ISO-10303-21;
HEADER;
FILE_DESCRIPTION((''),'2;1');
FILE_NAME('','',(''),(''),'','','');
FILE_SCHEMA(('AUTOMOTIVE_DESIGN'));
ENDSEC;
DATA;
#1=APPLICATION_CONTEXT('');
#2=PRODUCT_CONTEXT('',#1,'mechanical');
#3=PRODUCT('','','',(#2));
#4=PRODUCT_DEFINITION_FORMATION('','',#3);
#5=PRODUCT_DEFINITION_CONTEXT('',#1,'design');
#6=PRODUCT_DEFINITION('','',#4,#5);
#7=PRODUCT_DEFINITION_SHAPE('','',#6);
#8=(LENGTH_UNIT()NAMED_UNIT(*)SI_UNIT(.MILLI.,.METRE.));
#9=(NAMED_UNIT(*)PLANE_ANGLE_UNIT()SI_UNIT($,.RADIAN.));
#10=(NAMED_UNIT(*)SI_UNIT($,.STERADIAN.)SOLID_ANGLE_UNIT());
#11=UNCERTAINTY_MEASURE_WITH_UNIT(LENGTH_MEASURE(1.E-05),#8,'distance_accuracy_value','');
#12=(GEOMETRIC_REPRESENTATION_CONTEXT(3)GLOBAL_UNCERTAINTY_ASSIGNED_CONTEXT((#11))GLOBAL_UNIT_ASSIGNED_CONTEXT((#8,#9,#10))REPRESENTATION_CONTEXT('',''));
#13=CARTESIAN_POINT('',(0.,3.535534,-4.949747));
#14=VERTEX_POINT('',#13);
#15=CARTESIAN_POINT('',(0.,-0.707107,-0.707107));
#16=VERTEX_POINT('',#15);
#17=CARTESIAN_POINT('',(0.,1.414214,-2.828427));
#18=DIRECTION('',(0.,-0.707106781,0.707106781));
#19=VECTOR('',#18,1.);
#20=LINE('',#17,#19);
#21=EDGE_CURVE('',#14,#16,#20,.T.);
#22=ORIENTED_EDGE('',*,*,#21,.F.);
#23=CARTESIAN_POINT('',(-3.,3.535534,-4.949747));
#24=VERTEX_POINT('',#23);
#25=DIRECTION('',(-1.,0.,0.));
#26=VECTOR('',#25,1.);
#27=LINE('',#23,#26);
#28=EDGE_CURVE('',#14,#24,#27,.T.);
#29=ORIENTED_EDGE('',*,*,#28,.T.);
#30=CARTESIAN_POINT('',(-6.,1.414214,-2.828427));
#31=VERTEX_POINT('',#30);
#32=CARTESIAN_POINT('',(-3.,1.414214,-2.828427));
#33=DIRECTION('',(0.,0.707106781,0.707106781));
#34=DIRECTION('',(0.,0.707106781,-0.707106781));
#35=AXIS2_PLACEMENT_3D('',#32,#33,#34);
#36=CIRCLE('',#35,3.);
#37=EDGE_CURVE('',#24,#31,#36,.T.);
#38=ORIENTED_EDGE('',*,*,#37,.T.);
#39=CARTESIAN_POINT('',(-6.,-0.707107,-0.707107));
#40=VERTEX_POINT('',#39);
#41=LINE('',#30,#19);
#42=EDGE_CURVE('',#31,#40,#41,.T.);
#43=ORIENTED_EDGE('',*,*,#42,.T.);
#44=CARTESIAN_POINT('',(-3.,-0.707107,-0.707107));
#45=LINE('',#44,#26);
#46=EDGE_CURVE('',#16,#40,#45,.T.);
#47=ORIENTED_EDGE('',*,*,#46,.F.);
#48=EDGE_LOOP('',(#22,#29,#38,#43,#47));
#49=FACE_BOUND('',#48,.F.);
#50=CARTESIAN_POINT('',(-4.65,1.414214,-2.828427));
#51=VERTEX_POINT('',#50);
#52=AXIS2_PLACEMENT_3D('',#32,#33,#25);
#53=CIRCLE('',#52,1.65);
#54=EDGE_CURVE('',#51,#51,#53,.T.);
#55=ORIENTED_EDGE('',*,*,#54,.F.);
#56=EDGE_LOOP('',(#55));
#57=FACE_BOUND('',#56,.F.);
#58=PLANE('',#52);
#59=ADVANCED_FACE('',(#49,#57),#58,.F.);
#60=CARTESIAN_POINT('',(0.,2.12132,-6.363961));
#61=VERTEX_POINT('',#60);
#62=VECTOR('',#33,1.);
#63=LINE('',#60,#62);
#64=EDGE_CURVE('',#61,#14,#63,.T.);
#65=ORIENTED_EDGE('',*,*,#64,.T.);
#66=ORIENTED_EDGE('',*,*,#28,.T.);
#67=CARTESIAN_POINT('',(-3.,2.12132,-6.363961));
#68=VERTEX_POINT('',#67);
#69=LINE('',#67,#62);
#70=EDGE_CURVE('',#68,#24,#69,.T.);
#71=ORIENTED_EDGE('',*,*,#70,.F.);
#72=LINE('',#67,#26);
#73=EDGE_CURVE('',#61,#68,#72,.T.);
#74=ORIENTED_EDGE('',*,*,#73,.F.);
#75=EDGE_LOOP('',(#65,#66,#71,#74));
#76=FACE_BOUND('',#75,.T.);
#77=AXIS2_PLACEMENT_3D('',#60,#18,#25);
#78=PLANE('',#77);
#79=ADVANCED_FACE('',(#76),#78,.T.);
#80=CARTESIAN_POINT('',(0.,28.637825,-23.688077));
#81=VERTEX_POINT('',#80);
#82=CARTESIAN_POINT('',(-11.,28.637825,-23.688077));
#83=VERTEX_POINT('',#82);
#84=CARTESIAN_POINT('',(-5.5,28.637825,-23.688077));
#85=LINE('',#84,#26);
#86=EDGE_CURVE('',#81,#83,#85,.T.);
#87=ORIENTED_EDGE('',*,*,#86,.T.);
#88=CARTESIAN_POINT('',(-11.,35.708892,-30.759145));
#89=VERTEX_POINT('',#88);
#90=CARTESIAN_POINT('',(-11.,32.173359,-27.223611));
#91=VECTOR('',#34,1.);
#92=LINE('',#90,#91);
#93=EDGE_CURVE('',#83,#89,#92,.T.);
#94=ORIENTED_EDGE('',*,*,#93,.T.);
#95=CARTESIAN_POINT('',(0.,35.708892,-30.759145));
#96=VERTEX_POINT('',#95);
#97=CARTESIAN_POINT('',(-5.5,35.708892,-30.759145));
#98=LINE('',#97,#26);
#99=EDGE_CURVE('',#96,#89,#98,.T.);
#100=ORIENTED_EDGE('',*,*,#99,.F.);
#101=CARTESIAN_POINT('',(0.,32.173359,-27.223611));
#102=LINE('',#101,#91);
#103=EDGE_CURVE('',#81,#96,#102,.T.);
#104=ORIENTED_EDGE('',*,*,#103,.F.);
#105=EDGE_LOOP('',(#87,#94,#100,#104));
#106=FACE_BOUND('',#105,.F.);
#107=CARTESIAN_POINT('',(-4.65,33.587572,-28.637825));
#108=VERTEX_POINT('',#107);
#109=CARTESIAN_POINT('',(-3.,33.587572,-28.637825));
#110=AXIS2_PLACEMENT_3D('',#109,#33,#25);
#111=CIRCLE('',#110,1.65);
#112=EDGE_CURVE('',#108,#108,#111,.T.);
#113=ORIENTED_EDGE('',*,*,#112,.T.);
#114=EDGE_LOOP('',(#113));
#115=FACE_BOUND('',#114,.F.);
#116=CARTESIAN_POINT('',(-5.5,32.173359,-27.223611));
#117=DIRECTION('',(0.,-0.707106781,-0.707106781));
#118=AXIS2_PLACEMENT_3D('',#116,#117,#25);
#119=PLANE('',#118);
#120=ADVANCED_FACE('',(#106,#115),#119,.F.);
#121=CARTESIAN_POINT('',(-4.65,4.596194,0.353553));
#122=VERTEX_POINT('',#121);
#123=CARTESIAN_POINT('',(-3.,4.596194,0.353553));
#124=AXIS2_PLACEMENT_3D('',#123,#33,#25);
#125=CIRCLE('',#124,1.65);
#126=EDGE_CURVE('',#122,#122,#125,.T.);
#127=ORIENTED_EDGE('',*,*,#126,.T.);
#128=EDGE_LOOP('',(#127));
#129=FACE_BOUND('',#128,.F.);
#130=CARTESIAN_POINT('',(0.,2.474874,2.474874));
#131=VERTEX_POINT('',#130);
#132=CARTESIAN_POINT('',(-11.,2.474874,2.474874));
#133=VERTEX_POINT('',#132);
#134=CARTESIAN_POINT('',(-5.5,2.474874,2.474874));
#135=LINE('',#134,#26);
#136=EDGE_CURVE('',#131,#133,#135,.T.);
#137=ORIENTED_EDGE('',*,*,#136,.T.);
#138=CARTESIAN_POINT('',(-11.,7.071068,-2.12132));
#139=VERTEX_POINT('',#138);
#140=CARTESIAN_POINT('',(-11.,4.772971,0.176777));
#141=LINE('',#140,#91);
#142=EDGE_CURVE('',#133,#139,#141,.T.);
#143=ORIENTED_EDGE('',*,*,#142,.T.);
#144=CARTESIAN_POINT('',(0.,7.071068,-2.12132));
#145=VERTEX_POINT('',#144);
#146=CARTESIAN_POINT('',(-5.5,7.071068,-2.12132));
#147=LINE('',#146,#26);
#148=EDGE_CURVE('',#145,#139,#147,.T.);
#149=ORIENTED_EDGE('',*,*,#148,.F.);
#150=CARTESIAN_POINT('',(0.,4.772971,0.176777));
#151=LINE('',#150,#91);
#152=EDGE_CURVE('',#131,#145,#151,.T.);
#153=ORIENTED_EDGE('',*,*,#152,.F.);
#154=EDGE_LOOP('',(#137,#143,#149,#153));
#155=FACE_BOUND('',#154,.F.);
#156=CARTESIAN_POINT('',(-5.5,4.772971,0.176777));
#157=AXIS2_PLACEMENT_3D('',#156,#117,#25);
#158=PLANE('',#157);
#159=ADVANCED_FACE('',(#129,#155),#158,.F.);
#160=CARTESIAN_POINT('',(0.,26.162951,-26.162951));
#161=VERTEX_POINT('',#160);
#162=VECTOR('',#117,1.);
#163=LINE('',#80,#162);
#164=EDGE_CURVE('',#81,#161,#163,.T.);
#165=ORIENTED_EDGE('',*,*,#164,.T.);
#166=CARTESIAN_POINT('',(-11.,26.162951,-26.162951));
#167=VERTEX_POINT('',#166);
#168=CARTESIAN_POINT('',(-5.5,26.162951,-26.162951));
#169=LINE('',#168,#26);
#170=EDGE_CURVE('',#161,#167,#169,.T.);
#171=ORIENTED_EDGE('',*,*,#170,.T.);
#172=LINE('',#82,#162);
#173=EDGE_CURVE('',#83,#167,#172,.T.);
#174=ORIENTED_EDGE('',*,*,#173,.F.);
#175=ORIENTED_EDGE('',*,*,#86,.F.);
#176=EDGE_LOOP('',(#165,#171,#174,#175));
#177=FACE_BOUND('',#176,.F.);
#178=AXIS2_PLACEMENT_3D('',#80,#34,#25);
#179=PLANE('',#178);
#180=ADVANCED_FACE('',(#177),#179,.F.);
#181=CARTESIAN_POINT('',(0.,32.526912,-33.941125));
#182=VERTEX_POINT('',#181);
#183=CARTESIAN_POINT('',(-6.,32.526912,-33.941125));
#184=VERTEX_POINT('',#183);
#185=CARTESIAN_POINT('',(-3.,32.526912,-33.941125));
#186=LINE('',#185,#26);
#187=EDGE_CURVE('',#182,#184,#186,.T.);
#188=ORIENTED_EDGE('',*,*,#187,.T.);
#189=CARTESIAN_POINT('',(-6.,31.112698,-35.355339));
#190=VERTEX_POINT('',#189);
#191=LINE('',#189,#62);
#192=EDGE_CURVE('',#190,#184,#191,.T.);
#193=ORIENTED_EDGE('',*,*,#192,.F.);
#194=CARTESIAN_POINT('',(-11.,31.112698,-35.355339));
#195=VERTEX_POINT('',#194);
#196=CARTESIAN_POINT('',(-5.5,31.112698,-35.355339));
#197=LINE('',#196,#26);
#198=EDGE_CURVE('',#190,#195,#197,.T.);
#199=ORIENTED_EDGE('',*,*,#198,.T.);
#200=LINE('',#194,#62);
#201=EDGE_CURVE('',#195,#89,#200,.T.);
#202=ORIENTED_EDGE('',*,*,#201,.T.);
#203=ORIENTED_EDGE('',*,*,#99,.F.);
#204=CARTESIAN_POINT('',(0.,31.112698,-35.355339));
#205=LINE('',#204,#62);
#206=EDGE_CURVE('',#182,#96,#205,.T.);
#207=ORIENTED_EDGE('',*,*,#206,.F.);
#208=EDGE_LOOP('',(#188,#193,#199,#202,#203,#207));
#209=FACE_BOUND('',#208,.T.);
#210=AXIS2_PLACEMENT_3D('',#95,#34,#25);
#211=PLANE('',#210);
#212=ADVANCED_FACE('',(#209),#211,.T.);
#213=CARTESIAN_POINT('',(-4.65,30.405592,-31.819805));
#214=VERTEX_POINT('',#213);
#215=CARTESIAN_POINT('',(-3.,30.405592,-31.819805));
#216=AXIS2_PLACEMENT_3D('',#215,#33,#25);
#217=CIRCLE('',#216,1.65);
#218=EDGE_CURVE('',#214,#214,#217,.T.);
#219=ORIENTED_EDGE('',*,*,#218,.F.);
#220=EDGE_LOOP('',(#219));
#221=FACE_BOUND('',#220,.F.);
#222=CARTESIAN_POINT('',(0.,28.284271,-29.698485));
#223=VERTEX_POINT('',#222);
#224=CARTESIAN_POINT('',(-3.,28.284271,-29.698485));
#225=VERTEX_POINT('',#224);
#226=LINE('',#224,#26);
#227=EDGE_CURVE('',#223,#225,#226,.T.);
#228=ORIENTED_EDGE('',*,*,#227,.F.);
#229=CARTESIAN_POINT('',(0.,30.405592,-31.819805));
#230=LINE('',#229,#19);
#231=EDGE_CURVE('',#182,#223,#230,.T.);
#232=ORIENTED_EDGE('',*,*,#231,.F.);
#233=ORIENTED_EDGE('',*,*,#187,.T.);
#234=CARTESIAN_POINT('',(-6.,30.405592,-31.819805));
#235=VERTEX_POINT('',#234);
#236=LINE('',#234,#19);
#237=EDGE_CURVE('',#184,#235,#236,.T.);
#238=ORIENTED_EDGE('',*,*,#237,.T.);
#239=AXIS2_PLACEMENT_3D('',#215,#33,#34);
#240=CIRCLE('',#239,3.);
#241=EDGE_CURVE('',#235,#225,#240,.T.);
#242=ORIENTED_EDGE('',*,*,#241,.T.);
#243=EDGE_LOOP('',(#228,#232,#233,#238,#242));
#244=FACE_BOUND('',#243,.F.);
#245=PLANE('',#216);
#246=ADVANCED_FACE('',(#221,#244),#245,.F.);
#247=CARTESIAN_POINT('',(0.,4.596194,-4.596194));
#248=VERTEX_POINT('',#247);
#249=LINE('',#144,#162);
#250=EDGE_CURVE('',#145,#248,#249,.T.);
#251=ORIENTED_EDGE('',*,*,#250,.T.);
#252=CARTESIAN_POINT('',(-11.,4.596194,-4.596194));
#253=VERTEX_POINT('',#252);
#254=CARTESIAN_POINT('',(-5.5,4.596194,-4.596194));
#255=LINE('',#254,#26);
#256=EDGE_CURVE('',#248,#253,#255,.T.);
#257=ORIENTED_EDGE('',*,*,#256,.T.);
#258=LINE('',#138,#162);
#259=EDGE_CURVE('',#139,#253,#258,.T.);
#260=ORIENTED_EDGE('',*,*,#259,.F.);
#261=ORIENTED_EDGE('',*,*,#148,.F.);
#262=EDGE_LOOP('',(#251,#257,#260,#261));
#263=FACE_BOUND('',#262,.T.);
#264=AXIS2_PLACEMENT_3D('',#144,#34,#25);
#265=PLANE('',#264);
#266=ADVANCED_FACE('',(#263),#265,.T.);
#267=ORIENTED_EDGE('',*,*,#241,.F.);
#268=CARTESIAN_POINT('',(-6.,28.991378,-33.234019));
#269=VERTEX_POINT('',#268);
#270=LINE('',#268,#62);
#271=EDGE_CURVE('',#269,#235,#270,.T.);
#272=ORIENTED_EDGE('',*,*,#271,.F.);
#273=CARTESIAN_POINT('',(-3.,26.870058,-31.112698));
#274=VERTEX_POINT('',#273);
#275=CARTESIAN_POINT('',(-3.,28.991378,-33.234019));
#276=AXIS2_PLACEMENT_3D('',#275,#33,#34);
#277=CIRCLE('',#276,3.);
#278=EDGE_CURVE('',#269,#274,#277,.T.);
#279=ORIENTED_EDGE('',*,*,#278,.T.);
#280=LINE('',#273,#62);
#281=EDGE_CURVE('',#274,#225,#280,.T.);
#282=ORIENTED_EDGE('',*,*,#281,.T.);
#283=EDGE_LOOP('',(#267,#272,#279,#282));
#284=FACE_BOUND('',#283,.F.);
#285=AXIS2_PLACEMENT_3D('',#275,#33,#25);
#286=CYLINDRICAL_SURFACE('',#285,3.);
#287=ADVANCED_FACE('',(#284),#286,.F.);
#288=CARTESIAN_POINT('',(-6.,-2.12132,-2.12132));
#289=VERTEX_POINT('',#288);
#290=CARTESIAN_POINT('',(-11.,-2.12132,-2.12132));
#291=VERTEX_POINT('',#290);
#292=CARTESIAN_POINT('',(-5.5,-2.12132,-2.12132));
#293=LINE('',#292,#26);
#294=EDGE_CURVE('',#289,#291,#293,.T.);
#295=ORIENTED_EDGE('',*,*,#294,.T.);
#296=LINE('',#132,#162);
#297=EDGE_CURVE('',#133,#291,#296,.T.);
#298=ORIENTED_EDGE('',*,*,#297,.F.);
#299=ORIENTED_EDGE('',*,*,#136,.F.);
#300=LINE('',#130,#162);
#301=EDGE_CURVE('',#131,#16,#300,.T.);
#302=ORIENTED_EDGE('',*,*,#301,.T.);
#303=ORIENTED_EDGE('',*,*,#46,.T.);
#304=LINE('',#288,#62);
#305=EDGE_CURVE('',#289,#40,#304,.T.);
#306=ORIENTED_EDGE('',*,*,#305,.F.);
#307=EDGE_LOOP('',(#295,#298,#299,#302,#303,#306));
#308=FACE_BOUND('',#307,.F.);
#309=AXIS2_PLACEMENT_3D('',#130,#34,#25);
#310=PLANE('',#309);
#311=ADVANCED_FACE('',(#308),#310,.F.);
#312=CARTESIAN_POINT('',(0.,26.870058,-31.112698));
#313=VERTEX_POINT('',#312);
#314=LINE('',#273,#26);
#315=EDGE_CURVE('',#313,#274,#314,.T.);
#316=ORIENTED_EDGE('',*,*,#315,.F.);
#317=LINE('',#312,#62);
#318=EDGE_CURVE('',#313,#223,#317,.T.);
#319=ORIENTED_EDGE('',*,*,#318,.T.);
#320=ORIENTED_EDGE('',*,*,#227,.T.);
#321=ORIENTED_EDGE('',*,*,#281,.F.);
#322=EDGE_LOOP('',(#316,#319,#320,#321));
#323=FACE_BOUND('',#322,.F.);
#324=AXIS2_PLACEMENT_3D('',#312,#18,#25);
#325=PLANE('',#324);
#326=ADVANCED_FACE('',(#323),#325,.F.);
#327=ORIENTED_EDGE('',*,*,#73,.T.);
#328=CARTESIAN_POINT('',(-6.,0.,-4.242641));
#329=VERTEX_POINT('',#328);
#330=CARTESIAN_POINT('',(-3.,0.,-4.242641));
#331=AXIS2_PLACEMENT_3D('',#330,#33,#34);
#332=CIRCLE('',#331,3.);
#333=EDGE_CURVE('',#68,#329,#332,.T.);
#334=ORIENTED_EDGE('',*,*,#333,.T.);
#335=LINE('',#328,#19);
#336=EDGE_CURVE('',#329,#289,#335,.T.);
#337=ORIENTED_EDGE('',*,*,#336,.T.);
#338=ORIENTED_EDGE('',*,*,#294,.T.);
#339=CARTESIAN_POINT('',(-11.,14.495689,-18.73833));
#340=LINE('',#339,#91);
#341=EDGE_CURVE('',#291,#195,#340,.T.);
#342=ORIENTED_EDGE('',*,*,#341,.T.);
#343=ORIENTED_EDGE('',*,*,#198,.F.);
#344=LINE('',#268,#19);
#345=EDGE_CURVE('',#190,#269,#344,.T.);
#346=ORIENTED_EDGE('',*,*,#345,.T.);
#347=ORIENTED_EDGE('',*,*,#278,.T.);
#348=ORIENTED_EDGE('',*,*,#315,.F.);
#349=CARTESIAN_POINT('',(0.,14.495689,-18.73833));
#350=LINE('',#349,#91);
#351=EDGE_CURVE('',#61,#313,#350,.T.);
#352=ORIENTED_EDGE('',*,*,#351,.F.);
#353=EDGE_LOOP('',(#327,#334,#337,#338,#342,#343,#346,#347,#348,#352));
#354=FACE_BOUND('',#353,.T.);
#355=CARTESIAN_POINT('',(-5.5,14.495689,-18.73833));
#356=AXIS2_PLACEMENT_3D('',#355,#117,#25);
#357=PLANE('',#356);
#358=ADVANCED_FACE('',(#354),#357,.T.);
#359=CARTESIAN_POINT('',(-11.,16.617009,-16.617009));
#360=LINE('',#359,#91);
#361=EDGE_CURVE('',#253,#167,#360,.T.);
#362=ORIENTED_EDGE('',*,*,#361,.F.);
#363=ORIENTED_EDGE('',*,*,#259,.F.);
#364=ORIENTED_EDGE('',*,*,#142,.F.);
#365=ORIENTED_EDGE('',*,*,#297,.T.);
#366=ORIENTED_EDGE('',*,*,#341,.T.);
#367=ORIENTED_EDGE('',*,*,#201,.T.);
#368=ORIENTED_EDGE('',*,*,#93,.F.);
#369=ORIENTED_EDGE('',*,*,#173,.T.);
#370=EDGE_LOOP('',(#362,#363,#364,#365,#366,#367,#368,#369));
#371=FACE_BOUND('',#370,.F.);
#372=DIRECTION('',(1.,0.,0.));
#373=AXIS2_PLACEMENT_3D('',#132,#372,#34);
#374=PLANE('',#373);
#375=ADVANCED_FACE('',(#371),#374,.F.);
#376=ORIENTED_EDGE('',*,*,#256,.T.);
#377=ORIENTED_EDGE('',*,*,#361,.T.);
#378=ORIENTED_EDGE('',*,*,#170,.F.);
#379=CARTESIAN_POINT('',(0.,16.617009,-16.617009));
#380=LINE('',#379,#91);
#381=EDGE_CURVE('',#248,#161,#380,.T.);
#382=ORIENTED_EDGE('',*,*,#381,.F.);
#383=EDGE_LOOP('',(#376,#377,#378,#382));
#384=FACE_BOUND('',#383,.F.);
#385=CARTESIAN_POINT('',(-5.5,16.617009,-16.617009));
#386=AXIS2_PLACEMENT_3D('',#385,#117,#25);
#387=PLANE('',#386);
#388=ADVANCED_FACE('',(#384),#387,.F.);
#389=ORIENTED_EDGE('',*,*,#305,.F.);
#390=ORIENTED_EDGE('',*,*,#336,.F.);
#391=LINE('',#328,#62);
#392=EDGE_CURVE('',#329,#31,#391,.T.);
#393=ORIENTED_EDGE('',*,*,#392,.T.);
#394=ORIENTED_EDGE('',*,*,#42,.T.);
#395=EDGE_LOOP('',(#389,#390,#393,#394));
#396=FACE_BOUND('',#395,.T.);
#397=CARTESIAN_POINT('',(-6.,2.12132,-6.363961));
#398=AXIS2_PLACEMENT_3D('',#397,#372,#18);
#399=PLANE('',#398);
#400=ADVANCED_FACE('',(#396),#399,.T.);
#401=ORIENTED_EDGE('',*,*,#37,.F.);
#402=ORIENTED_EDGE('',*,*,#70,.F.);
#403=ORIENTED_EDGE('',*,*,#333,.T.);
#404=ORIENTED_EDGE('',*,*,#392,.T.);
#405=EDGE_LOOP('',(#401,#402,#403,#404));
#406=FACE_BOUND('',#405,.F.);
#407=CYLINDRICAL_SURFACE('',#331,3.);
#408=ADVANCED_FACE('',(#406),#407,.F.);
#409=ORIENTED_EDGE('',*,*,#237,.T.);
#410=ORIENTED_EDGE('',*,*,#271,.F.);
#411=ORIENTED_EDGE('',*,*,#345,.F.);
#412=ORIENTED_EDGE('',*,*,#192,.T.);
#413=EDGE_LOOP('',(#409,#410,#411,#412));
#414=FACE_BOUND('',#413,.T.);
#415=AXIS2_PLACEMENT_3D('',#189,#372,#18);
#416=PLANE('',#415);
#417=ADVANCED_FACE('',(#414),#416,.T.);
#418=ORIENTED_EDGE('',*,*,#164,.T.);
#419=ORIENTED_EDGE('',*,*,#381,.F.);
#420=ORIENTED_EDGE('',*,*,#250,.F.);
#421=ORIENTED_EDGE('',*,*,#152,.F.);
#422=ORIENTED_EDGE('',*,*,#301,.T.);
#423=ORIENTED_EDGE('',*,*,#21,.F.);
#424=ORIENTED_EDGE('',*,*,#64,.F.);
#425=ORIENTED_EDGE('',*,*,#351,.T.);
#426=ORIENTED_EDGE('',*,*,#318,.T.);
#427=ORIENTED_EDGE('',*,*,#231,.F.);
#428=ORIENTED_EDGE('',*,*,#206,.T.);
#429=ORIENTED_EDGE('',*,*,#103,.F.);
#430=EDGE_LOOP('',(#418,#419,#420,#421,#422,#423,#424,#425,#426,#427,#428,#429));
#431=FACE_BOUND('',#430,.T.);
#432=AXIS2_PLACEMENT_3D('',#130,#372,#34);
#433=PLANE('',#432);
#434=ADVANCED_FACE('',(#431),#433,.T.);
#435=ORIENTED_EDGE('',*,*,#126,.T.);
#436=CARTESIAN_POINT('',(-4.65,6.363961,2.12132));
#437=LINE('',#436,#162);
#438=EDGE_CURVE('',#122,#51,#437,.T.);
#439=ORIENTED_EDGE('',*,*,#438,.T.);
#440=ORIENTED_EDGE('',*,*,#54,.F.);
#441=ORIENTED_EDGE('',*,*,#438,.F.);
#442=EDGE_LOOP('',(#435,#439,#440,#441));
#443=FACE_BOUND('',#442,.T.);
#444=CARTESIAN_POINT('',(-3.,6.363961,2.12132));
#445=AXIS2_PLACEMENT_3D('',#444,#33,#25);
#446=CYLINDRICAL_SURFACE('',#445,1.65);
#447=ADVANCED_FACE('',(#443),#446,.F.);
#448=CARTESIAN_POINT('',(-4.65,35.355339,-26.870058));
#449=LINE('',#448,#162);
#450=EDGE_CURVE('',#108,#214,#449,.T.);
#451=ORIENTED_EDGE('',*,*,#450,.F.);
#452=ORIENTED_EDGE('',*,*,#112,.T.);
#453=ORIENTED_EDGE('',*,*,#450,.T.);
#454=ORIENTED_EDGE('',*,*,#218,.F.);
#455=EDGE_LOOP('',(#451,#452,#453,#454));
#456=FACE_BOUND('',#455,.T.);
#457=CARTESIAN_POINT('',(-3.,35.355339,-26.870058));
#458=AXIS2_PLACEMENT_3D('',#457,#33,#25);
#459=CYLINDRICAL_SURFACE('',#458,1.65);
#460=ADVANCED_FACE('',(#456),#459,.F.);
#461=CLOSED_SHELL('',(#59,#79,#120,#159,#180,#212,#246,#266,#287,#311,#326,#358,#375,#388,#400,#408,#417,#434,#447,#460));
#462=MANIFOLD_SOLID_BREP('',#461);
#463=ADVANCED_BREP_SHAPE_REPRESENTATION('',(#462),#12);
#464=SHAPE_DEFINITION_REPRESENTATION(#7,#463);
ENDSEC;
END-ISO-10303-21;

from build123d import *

# Parameters (mm, degrees)
BOX021003_W                        = 6
BOX021003_H                        = 6
BOX021003_DEPTH                    = 2
FILLET_R                           = 3
BOX021002_W                        = 6
BOX021002_H                        = 6
BOX021002_DEPTH                    = 2
FILLET001_R                        = 3
CYLINDER010_R                      = 1.65
CYLINDER010_DEPTH                  = 10
CYLINDER011_R                      = 1.65
CYLINDER011_DEPTH                  = 10
BOX018_W                           = 11
BOX018_H                           = 10
BOX018_DEPTH                       = 3.5
BOX017_W                           = 11
BOX017_H                           = 6.5
BOX017_DEPTH                       = 3.5
BOX016_W                           = 11
BOX016_H                           = 47
BOX016_DEPTH                       = 3
CUT004005004004_PLACEMENT_ANGLE    = 180
CUT004005004003002_ROLL_ANGLE      = 45
CUT004005004003002_PLACEMENT_ANGLE = 180


with BuildPart() as fillet_body:
    # Box021003 → Box021003 (new body)
    with BuildSketch(Plane(origin=(0, -47, -3), x_dir=(1, 0, 0), z_dir=(0, 0, 1))):
        with Locations((3, 3)):
            Rectangle(BOX021003_W, BOX021003_H)
    extrude(amount=BOX021003_DEPTH)

    # Fillet
    fillet_edges = [fillet_body.edges().sort_by_distance(p)[0] for p in [
        (6, -41, -2),
    ]]
    fillet(fillet_edges, radius=FILLET_R)


with BuildPart() as fusion003007005:
    # Box021002 → Box021002 (new body)
    with BuildSketch(Plane(origin=(0, -6, -3), x_dir=(1, 0, 0), z_dir=(0, 0, 1))):
        with Locations((3, 3)):
            Rectangle(BOX021002_W, BOX021002_H)
    extrude(amount=BOX021002_DEPTH)

    # Fillet001
    fillet001_edges = [fusion003007005.edges().sort_by_distance(p)[0] for p in [
        (6, -6, -2),
    ]]
    fillet(fillet001_edges, radius=FILLET001_R)

    # Fusion003007005: union Fillet body
    add(fillet_body.part)


with BuildPart() as cylinder010:
    # Cylinder010 → Cylinder010 (new body)
    with BuildSketch(Plane(origin=(3, 3, 0), x_dir=(1, 0, 0), z_dir=(0, 0, 1))):
        Circle(CYLINDER010_R)
    extrude(amount=CYLINDER010_DEPTH)


with BuildPart() as fusion003007003:
    # Cylinder011 → Cylinder011 (new body)
    with BuildSketch(Plane(origin=(3, 44, 0), x_dir=(1, 0, 0), z_dir=(0, 0, 1))):
        Circle(CYLINDER011_R)
    extrude(amount=CYLINDER011_DEPTH)

    # Fusion003007003: union Cylinder010
    add(cylinder010.part)


with BuildPart() as fusion003007003_1:
    # Fusion003007003 placement: moved
    add(fusion003007003.part.moved(Location((0, 0, -6))))


with BuildPart() as cube015:
    # Box018 → Box018 (new body)
    with BuildSketch(Plane(origin=(0, 37, -3.5), x_dir=(1, 0, 0), z_dir=(0, 0, 1))):
        with Locations((5.5, 5)):
            Rectangle(BOX018_W, BOX018_H)
    extrude(amount=BOX018_DEPTH)


with BuildPart() as cube014:
    # Box017 → Box017 (new body)
    with BuildSketch(Plane.XY.offset(-3.5)):
        with Locations((5.5, 3.25)):
            Rectangle(BOX017_W, BOX017_H)
    extrude(amount=BOX017_DEPTH)


with BuildPart() as cut004005004003002:
    # Box016 → Box016 (new body)
    with BuildSketch(Plane.XY):
        with Locations((5.5, 23.5)):
            Rectangle(BOX016_W, BOX016_H)
    extrude(amount=BOX016_DEPTH)

    # Fusion003007004: union Cube015, Cube014
    add(cube015.part)
    add(cube014.part)

    # Cut004005004004: cut Fusion003007003
    add(fusion003007003_1.part, mode=Mode.SUBTRACT)


with BuildPart() as cut004005004003002_1:
    # Cut004005004004 placement: moved
    add(cut004005004003002.part.rotate(Axis((0, 0, 0), (1, 0, 0)), CUT004005004004_PLACEMENT_ANGLE))

    # Cut004005004003002: cut Fusion003007005
    add(fusion003007005.part, mode=Mode.SUBTRACT)


with BuildPart() as cut004005004003002_2:
    # Cut004005004003002 roll: moved
    add(cut004005004003002_1.part.rotate(Axis((0, 0, 0), (1, 0, 0)), CUT004005004003002_ROLL_ANGLE))


with BuildPart() as cut004005004003002_3:
    # Cut004005004003002 placement: moved
    add(cut004005004003002_2.part.rotate(Axis((0, 0, 0), (0, 0, 1)), CUT004005004003002_PLACEMENT_ANGLE))


solid = cut004005004003002_3.part
